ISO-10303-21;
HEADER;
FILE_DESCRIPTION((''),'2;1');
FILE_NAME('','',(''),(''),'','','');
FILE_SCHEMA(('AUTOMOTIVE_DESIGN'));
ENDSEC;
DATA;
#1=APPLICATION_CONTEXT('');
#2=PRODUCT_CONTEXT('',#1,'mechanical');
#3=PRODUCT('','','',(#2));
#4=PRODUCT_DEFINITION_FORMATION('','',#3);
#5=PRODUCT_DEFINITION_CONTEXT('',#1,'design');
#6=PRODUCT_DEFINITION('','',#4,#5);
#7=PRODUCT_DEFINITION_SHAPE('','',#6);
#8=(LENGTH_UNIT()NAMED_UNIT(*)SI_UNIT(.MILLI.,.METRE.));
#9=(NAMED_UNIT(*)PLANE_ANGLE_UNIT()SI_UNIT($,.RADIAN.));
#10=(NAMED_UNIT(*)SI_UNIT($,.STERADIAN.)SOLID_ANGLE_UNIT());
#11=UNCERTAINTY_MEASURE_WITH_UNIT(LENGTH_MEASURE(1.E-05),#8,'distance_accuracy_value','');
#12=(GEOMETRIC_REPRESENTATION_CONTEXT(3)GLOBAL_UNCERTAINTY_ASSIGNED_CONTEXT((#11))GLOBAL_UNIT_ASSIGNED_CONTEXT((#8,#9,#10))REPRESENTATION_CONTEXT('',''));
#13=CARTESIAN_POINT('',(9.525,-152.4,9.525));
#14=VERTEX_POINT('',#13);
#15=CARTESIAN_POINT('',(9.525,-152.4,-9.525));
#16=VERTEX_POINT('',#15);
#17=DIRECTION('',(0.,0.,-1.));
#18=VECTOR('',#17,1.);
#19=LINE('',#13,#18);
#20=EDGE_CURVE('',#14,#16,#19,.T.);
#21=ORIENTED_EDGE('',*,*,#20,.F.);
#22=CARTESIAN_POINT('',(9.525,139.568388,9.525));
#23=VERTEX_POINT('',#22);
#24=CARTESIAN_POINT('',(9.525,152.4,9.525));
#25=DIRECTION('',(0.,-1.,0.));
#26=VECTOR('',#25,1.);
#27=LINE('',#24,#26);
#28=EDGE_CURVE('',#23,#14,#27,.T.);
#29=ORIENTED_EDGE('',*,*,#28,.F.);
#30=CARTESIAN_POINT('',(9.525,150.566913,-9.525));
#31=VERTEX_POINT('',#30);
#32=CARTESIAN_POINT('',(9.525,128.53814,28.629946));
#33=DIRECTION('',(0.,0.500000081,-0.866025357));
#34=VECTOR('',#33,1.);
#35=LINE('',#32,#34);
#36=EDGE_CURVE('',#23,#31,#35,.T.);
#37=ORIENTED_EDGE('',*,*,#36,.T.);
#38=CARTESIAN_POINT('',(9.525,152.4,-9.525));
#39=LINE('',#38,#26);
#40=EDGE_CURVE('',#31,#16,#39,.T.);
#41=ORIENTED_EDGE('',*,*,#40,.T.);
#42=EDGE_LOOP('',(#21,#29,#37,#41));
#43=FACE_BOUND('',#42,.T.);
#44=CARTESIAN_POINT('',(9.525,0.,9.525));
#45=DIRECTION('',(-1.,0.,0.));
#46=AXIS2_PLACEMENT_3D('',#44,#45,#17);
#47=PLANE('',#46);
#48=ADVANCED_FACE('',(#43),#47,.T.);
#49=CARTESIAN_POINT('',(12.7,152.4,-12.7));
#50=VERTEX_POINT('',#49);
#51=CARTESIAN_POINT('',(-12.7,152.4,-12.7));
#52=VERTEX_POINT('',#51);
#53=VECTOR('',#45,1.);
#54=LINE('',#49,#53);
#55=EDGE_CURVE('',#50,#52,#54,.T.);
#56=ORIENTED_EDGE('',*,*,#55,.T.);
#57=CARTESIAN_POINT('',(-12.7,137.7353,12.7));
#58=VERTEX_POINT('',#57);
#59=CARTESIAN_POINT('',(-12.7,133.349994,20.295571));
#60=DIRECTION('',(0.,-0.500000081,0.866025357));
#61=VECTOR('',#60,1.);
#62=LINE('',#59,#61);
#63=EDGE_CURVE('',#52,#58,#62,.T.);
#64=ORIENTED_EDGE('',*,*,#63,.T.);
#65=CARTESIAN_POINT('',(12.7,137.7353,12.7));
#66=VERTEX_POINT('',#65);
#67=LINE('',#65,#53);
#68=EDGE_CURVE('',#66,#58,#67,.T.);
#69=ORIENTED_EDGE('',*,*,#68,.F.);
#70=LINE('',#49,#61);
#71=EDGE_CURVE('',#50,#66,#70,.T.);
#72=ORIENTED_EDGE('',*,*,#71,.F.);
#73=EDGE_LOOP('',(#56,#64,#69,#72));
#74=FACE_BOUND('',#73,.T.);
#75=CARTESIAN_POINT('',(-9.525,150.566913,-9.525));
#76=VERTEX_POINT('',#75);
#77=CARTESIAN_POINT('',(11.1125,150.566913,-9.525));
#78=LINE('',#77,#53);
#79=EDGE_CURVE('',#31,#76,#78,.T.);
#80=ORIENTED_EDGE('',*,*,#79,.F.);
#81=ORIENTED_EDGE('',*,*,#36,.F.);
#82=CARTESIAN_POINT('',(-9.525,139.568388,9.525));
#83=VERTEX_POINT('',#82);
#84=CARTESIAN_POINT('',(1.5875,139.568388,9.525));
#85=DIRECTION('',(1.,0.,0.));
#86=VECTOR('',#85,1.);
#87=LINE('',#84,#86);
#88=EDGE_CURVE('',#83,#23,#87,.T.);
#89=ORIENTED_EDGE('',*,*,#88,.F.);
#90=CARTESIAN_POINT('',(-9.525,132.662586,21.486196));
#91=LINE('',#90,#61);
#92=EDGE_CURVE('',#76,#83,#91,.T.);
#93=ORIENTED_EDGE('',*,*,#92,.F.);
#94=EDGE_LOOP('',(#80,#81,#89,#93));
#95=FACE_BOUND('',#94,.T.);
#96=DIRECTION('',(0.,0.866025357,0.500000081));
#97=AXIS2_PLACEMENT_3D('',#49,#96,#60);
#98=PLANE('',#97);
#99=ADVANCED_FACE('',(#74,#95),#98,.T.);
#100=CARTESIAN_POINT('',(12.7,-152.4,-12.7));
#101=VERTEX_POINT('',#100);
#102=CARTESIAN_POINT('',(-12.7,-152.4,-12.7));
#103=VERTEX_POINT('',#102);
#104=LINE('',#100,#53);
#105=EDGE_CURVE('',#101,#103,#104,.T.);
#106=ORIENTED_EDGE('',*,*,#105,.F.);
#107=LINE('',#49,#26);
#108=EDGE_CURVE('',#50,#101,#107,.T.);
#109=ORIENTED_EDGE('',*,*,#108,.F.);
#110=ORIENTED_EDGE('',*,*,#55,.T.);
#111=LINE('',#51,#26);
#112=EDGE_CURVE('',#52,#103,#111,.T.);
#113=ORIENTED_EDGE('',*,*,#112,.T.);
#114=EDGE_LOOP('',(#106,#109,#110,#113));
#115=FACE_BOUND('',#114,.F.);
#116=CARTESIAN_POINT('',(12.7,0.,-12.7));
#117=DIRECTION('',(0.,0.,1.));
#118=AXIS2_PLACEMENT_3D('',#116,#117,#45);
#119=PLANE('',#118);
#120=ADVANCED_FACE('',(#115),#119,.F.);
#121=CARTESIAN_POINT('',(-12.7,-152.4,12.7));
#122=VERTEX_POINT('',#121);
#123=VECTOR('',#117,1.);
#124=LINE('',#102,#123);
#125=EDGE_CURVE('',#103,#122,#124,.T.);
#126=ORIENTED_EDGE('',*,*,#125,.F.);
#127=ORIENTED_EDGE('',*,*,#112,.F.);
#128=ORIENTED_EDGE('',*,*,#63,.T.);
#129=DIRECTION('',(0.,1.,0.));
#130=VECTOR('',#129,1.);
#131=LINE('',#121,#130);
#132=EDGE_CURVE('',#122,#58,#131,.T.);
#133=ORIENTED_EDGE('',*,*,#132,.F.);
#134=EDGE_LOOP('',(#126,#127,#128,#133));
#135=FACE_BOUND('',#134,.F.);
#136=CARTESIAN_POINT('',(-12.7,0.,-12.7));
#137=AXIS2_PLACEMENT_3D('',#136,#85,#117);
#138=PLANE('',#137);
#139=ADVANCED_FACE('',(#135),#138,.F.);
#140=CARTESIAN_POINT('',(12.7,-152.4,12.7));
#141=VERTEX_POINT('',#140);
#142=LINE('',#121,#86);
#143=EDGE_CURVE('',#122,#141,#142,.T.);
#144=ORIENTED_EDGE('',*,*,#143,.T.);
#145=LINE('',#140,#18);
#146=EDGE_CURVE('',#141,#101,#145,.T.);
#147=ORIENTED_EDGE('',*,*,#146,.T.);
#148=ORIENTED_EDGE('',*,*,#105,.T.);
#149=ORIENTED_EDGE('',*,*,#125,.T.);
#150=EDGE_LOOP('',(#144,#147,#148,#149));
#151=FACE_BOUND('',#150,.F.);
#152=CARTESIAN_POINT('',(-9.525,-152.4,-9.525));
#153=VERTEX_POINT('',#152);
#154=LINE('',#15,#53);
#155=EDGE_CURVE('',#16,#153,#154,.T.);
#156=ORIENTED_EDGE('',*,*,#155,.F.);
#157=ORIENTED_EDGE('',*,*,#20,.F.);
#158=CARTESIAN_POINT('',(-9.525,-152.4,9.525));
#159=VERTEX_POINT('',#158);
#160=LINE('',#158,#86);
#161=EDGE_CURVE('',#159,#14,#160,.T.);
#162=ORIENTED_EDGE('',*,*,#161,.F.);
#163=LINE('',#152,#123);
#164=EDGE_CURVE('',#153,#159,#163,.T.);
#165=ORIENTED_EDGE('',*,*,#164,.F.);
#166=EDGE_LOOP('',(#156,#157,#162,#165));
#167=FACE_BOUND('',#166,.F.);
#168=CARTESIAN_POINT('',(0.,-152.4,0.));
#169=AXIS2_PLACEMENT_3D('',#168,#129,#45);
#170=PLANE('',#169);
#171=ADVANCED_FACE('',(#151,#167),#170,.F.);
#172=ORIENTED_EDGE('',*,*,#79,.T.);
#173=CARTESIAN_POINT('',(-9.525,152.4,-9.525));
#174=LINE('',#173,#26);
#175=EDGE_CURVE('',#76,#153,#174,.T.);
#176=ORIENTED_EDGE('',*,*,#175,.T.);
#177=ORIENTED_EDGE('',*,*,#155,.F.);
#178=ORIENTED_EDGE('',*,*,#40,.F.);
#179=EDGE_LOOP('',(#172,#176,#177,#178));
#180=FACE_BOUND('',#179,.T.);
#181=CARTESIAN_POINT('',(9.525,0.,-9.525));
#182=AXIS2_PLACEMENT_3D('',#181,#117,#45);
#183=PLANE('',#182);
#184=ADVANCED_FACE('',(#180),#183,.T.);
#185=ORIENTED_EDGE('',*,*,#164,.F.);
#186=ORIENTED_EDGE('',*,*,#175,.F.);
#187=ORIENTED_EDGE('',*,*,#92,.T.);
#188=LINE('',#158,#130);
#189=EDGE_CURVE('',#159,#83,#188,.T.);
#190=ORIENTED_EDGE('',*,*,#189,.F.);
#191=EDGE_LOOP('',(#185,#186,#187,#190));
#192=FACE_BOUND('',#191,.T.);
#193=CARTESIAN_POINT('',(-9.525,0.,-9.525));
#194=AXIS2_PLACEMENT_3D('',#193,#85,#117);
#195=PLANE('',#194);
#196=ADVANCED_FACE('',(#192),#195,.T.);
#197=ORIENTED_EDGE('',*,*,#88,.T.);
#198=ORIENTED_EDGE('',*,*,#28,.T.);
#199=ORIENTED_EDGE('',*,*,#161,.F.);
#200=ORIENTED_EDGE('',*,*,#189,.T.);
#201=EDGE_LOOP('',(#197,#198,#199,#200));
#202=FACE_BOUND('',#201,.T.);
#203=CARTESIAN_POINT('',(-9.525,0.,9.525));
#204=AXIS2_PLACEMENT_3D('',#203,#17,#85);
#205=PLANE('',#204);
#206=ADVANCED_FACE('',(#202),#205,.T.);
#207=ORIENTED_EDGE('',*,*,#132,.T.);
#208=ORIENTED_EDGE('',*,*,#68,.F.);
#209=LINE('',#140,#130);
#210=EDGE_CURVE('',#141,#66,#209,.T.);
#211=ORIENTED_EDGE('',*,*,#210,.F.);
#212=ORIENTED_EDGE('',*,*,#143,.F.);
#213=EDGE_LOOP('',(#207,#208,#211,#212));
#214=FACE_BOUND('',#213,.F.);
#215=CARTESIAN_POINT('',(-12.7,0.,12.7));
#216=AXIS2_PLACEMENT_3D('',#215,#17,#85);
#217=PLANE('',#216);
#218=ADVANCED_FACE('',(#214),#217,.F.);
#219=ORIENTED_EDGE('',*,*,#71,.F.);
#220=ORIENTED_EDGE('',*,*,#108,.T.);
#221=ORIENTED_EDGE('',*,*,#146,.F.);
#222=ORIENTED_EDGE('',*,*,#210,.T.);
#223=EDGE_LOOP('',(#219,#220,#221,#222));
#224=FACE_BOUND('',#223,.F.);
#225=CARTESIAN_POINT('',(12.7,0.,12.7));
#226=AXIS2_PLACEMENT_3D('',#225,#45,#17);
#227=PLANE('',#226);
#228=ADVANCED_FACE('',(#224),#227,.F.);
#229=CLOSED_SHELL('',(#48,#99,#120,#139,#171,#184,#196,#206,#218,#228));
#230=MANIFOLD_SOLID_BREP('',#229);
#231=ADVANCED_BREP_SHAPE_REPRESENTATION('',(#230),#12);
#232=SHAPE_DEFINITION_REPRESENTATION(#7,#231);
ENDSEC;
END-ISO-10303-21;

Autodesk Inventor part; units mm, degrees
ref_plane "YZ Plane" through (0, 0, 0) normal (1, 0, 0) x (0, 1, 0)
ref_plane "XZ Plane" through (0, 0, 0) normal (0, 1, 0) x (-1, 0, 0)
ref_plane "XY Plane" through (0, 0, 0) normal (0, 0, 1) x (1, 0, 0)
sketch "Sketch1" plane through (0, 0, 0) normal (0, 1, 0) x (-1, 0, 0)
  line L0 (12.7, 12.7) -> (-12.7, 12.7)
  line L1 (-12.7, 12.7) -> (-12.7, -12.7)
  line L2 (-12.7, -12.7) -> (12.7, -12.7)
  line L3 (12.7, -12.7) -> (12.7, 12.7)
  line L4 (12.7, 12.7) -> (-12.7, -12.7) construction
  line L5 (-12.7, 12.7) -> (12.7, -12.7) construction
  line L6 (9.525, 9.525) -> (-9.525, 9.525)
  line L7 (-9.525, 9.525) -> (-9.525, -9.525)
  line L8 (-9.525, -9.525) -> (9.525, -9.525)
  line L9 (9.525, -9.525) -> (9.525, 9.525)
  line L10 (9.525, 9.525) -> (-9.525, -9.525) construction
  line L11 (-9.525, 9.525) -> (9.525, -9.525) construction
  point P0 (0, 0)
  dimension "d0" = 25.4
  dimension "d1" = 25.4
  dimension "d2" = 3.175
extrude "Extrusion1" add sketch "Sketch1" along normal mid plane 304.8
sketch "Sketch2" plane through (12.7, -152.4, -12.7) normal (1, 0, 0) x (0, 0, -1)
  line L0 (0, 0) -> (0, 304.8) projected
  line L1 (0, 304.8) -> (-25.4, 290.1353)
  line L2 (-25.4, 0) -> (-25.4, 304.8) projected
  line L3 (-25.4, 304.8) -> (0, 304.8)
  point P0 (-12.7, 152.4)
  dimension "d8" = 30
extrude "Extrusion2" cut sketch "Sketch2" against normal through all
properties part number "sideAluminumExtrusion"
